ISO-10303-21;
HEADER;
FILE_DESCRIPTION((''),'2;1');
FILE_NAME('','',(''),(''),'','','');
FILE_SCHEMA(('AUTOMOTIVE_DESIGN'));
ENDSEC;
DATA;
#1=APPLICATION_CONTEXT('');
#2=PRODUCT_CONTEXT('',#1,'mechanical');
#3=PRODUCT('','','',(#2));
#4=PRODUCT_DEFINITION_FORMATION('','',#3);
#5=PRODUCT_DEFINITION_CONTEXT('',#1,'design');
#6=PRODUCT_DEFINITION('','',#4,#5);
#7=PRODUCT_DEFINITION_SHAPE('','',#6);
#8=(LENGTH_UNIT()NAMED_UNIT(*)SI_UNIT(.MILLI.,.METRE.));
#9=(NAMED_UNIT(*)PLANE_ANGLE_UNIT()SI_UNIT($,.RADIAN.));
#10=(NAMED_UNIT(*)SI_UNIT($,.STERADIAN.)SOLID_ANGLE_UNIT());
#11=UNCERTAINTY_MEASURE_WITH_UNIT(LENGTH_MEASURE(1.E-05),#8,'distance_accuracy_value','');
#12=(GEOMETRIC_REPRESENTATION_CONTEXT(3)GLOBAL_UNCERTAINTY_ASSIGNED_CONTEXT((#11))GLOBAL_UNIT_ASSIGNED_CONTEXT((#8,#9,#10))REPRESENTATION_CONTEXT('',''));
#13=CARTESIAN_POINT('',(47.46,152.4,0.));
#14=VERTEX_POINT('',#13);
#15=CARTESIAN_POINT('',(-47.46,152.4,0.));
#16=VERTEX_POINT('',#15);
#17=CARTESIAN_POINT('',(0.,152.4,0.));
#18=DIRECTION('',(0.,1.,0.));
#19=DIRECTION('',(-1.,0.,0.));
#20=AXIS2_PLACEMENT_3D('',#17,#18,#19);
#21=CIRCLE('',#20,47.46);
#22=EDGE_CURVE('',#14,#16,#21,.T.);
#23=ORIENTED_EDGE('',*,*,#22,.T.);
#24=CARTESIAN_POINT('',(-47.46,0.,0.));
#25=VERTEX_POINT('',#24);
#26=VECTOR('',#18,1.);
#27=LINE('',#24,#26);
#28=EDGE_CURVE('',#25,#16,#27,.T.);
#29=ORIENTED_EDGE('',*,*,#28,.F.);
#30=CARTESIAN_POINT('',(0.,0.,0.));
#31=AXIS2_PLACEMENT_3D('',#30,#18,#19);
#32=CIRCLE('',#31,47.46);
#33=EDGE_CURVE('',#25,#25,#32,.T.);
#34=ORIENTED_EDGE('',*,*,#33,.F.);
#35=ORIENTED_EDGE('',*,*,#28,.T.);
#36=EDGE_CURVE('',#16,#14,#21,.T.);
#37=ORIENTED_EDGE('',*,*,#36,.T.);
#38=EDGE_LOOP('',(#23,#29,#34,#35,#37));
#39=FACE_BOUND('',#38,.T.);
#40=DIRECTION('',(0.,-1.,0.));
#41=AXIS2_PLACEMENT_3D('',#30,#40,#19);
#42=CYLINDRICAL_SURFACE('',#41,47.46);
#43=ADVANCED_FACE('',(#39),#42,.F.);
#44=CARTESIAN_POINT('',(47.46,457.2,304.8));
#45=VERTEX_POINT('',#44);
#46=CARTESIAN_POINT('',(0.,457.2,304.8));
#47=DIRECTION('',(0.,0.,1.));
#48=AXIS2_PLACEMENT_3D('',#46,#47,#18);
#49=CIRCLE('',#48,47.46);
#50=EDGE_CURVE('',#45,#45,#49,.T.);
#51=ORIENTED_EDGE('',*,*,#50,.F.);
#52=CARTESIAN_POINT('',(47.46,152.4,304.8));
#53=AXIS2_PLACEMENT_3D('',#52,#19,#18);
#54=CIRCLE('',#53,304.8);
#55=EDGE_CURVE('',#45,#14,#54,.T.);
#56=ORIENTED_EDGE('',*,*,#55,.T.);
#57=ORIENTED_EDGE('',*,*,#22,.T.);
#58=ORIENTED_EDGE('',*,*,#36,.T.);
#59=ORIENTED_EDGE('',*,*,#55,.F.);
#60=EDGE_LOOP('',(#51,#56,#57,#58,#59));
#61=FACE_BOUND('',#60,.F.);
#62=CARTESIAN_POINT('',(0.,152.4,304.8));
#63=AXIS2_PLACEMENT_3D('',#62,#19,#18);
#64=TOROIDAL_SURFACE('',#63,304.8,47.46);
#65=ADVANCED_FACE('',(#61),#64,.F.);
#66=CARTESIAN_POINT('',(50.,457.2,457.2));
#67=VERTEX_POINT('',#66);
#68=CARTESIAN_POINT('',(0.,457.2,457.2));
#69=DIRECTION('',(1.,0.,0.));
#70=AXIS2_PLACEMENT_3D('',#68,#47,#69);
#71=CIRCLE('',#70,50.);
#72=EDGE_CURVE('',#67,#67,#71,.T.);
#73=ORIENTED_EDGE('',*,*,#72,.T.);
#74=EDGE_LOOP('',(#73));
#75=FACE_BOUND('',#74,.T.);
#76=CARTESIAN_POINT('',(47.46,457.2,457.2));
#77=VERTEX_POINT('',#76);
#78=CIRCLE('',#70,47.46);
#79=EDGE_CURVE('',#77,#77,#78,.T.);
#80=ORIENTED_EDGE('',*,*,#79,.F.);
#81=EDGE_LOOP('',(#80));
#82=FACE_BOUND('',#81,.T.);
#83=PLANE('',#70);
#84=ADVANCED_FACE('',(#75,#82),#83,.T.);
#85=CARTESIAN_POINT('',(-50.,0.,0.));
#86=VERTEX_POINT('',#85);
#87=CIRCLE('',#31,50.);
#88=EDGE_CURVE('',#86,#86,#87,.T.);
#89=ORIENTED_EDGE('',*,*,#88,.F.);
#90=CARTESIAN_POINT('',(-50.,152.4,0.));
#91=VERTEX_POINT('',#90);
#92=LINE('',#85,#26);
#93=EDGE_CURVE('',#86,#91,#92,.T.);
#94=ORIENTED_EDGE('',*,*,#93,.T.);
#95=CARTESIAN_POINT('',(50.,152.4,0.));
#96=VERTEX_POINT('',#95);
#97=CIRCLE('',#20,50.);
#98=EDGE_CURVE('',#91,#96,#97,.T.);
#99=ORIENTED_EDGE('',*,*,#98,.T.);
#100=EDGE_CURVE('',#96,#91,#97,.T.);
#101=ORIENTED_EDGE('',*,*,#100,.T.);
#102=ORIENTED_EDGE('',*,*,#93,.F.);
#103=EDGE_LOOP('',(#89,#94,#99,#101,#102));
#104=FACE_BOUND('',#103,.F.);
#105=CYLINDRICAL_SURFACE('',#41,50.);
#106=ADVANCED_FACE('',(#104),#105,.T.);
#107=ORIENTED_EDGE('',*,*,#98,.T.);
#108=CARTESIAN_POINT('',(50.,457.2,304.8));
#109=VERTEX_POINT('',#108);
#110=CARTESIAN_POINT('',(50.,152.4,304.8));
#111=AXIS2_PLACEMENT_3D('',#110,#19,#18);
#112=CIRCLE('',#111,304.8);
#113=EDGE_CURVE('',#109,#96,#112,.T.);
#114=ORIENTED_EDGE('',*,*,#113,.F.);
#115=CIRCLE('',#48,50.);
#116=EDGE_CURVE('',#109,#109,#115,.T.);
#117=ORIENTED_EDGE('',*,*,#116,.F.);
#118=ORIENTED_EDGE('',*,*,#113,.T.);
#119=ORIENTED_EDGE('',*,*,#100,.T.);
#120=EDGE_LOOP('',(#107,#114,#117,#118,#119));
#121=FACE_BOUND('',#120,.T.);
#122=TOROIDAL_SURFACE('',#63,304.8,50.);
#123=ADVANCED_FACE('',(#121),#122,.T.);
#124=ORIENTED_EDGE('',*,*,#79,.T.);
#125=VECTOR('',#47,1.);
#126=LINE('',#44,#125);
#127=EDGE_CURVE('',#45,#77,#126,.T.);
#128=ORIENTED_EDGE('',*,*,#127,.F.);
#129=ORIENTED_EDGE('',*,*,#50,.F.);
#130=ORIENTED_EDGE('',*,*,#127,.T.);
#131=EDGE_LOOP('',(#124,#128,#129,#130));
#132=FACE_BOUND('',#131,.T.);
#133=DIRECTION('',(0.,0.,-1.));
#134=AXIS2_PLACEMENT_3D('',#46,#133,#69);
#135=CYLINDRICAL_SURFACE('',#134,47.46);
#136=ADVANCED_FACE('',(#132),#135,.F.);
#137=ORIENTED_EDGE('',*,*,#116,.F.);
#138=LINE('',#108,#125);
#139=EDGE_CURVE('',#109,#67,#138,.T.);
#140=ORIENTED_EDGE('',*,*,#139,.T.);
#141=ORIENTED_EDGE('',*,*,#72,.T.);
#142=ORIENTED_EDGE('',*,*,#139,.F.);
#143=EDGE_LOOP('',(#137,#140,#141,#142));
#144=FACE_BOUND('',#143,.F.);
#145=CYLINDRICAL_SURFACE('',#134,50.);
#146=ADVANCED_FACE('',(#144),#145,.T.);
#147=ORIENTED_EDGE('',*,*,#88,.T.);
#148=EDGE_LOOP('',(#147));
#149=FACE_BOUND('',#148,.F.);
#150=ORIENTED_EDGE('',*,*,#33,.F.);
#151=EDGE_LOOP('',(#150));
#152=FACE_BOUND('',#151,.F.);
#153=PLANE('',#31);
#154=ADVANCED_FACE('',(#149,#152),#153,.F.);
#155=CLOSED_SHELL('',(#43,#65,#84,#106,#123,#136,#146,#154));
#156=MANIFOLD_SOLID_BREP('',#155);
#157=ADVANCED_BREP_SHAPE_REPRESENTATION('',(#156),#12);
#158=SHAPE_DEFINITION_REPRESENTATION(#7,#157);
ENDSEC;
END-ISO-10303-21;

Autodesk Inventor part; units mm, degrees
ref_plane "YZ Plane" through (0, 0, 0) normal (1, 0, 0) x (0, 1, 0)
ref_plane "XZ Plane" through (0, 0, 0) normal (0, 1, 0) x (-1, 0, 0)
sketch "Sketch1" plane through (0, 0, 0) normal (0, 1, 0) x (-1, 0, 0)
  circle A0 centre (0, 0) radius 50
  circle A1 centre (0, 0) radius 47.46
  dimension "d0" = 100
  dimension "d1" = 2.54
extrude "Extrusion1" add sketch "Sketch1" along normal blind 152.4
sketch "Sketch4" plane through (0, 152.4, 0) normal (0, 1, 0) x (1, 0, 0)
  circle A0 centre (0, 0) radius 47.46 projected
  circle A1 centre (0, 0) radius 50 projected
  point P0 (-50, 0)
ref_plane "Work Plane4" through (-50, 152.4, 0) normal (-1, 0, 0) x (0, -1, 0)
sketch "Sketch8" plane through (-50, 152.4, 0) normal (-1, 0, 0) x (0, -1, 0)
  line L0 (0, 0) -> (0, 304.8) construction
  arc A0 (-304.8, 304.8) -> (0, 0) centre (0, 304.8) ccw
  line L1 (0, 304.8) -> (-304.8, 304.8) construction
  point P0 (152.4, 0)
  dimension "d7" = 304.8
sweep "Sweep1" add profiles "Sketch4" path "Sketch8"
sketch "Sketch9" plane through (0, 457.2, 304.8) normal (0, 0, 1) x (1, 0, 0)
  circle A0 centre (0, 0) radius 47.46 projected
  circle A1 centre (0, 0) radius 50 projected
  point P0 (0, -457.2)
extrude "Extrusion2" add sketch "Sketch9" along normal blind 152.4
properties part number "sweep"
